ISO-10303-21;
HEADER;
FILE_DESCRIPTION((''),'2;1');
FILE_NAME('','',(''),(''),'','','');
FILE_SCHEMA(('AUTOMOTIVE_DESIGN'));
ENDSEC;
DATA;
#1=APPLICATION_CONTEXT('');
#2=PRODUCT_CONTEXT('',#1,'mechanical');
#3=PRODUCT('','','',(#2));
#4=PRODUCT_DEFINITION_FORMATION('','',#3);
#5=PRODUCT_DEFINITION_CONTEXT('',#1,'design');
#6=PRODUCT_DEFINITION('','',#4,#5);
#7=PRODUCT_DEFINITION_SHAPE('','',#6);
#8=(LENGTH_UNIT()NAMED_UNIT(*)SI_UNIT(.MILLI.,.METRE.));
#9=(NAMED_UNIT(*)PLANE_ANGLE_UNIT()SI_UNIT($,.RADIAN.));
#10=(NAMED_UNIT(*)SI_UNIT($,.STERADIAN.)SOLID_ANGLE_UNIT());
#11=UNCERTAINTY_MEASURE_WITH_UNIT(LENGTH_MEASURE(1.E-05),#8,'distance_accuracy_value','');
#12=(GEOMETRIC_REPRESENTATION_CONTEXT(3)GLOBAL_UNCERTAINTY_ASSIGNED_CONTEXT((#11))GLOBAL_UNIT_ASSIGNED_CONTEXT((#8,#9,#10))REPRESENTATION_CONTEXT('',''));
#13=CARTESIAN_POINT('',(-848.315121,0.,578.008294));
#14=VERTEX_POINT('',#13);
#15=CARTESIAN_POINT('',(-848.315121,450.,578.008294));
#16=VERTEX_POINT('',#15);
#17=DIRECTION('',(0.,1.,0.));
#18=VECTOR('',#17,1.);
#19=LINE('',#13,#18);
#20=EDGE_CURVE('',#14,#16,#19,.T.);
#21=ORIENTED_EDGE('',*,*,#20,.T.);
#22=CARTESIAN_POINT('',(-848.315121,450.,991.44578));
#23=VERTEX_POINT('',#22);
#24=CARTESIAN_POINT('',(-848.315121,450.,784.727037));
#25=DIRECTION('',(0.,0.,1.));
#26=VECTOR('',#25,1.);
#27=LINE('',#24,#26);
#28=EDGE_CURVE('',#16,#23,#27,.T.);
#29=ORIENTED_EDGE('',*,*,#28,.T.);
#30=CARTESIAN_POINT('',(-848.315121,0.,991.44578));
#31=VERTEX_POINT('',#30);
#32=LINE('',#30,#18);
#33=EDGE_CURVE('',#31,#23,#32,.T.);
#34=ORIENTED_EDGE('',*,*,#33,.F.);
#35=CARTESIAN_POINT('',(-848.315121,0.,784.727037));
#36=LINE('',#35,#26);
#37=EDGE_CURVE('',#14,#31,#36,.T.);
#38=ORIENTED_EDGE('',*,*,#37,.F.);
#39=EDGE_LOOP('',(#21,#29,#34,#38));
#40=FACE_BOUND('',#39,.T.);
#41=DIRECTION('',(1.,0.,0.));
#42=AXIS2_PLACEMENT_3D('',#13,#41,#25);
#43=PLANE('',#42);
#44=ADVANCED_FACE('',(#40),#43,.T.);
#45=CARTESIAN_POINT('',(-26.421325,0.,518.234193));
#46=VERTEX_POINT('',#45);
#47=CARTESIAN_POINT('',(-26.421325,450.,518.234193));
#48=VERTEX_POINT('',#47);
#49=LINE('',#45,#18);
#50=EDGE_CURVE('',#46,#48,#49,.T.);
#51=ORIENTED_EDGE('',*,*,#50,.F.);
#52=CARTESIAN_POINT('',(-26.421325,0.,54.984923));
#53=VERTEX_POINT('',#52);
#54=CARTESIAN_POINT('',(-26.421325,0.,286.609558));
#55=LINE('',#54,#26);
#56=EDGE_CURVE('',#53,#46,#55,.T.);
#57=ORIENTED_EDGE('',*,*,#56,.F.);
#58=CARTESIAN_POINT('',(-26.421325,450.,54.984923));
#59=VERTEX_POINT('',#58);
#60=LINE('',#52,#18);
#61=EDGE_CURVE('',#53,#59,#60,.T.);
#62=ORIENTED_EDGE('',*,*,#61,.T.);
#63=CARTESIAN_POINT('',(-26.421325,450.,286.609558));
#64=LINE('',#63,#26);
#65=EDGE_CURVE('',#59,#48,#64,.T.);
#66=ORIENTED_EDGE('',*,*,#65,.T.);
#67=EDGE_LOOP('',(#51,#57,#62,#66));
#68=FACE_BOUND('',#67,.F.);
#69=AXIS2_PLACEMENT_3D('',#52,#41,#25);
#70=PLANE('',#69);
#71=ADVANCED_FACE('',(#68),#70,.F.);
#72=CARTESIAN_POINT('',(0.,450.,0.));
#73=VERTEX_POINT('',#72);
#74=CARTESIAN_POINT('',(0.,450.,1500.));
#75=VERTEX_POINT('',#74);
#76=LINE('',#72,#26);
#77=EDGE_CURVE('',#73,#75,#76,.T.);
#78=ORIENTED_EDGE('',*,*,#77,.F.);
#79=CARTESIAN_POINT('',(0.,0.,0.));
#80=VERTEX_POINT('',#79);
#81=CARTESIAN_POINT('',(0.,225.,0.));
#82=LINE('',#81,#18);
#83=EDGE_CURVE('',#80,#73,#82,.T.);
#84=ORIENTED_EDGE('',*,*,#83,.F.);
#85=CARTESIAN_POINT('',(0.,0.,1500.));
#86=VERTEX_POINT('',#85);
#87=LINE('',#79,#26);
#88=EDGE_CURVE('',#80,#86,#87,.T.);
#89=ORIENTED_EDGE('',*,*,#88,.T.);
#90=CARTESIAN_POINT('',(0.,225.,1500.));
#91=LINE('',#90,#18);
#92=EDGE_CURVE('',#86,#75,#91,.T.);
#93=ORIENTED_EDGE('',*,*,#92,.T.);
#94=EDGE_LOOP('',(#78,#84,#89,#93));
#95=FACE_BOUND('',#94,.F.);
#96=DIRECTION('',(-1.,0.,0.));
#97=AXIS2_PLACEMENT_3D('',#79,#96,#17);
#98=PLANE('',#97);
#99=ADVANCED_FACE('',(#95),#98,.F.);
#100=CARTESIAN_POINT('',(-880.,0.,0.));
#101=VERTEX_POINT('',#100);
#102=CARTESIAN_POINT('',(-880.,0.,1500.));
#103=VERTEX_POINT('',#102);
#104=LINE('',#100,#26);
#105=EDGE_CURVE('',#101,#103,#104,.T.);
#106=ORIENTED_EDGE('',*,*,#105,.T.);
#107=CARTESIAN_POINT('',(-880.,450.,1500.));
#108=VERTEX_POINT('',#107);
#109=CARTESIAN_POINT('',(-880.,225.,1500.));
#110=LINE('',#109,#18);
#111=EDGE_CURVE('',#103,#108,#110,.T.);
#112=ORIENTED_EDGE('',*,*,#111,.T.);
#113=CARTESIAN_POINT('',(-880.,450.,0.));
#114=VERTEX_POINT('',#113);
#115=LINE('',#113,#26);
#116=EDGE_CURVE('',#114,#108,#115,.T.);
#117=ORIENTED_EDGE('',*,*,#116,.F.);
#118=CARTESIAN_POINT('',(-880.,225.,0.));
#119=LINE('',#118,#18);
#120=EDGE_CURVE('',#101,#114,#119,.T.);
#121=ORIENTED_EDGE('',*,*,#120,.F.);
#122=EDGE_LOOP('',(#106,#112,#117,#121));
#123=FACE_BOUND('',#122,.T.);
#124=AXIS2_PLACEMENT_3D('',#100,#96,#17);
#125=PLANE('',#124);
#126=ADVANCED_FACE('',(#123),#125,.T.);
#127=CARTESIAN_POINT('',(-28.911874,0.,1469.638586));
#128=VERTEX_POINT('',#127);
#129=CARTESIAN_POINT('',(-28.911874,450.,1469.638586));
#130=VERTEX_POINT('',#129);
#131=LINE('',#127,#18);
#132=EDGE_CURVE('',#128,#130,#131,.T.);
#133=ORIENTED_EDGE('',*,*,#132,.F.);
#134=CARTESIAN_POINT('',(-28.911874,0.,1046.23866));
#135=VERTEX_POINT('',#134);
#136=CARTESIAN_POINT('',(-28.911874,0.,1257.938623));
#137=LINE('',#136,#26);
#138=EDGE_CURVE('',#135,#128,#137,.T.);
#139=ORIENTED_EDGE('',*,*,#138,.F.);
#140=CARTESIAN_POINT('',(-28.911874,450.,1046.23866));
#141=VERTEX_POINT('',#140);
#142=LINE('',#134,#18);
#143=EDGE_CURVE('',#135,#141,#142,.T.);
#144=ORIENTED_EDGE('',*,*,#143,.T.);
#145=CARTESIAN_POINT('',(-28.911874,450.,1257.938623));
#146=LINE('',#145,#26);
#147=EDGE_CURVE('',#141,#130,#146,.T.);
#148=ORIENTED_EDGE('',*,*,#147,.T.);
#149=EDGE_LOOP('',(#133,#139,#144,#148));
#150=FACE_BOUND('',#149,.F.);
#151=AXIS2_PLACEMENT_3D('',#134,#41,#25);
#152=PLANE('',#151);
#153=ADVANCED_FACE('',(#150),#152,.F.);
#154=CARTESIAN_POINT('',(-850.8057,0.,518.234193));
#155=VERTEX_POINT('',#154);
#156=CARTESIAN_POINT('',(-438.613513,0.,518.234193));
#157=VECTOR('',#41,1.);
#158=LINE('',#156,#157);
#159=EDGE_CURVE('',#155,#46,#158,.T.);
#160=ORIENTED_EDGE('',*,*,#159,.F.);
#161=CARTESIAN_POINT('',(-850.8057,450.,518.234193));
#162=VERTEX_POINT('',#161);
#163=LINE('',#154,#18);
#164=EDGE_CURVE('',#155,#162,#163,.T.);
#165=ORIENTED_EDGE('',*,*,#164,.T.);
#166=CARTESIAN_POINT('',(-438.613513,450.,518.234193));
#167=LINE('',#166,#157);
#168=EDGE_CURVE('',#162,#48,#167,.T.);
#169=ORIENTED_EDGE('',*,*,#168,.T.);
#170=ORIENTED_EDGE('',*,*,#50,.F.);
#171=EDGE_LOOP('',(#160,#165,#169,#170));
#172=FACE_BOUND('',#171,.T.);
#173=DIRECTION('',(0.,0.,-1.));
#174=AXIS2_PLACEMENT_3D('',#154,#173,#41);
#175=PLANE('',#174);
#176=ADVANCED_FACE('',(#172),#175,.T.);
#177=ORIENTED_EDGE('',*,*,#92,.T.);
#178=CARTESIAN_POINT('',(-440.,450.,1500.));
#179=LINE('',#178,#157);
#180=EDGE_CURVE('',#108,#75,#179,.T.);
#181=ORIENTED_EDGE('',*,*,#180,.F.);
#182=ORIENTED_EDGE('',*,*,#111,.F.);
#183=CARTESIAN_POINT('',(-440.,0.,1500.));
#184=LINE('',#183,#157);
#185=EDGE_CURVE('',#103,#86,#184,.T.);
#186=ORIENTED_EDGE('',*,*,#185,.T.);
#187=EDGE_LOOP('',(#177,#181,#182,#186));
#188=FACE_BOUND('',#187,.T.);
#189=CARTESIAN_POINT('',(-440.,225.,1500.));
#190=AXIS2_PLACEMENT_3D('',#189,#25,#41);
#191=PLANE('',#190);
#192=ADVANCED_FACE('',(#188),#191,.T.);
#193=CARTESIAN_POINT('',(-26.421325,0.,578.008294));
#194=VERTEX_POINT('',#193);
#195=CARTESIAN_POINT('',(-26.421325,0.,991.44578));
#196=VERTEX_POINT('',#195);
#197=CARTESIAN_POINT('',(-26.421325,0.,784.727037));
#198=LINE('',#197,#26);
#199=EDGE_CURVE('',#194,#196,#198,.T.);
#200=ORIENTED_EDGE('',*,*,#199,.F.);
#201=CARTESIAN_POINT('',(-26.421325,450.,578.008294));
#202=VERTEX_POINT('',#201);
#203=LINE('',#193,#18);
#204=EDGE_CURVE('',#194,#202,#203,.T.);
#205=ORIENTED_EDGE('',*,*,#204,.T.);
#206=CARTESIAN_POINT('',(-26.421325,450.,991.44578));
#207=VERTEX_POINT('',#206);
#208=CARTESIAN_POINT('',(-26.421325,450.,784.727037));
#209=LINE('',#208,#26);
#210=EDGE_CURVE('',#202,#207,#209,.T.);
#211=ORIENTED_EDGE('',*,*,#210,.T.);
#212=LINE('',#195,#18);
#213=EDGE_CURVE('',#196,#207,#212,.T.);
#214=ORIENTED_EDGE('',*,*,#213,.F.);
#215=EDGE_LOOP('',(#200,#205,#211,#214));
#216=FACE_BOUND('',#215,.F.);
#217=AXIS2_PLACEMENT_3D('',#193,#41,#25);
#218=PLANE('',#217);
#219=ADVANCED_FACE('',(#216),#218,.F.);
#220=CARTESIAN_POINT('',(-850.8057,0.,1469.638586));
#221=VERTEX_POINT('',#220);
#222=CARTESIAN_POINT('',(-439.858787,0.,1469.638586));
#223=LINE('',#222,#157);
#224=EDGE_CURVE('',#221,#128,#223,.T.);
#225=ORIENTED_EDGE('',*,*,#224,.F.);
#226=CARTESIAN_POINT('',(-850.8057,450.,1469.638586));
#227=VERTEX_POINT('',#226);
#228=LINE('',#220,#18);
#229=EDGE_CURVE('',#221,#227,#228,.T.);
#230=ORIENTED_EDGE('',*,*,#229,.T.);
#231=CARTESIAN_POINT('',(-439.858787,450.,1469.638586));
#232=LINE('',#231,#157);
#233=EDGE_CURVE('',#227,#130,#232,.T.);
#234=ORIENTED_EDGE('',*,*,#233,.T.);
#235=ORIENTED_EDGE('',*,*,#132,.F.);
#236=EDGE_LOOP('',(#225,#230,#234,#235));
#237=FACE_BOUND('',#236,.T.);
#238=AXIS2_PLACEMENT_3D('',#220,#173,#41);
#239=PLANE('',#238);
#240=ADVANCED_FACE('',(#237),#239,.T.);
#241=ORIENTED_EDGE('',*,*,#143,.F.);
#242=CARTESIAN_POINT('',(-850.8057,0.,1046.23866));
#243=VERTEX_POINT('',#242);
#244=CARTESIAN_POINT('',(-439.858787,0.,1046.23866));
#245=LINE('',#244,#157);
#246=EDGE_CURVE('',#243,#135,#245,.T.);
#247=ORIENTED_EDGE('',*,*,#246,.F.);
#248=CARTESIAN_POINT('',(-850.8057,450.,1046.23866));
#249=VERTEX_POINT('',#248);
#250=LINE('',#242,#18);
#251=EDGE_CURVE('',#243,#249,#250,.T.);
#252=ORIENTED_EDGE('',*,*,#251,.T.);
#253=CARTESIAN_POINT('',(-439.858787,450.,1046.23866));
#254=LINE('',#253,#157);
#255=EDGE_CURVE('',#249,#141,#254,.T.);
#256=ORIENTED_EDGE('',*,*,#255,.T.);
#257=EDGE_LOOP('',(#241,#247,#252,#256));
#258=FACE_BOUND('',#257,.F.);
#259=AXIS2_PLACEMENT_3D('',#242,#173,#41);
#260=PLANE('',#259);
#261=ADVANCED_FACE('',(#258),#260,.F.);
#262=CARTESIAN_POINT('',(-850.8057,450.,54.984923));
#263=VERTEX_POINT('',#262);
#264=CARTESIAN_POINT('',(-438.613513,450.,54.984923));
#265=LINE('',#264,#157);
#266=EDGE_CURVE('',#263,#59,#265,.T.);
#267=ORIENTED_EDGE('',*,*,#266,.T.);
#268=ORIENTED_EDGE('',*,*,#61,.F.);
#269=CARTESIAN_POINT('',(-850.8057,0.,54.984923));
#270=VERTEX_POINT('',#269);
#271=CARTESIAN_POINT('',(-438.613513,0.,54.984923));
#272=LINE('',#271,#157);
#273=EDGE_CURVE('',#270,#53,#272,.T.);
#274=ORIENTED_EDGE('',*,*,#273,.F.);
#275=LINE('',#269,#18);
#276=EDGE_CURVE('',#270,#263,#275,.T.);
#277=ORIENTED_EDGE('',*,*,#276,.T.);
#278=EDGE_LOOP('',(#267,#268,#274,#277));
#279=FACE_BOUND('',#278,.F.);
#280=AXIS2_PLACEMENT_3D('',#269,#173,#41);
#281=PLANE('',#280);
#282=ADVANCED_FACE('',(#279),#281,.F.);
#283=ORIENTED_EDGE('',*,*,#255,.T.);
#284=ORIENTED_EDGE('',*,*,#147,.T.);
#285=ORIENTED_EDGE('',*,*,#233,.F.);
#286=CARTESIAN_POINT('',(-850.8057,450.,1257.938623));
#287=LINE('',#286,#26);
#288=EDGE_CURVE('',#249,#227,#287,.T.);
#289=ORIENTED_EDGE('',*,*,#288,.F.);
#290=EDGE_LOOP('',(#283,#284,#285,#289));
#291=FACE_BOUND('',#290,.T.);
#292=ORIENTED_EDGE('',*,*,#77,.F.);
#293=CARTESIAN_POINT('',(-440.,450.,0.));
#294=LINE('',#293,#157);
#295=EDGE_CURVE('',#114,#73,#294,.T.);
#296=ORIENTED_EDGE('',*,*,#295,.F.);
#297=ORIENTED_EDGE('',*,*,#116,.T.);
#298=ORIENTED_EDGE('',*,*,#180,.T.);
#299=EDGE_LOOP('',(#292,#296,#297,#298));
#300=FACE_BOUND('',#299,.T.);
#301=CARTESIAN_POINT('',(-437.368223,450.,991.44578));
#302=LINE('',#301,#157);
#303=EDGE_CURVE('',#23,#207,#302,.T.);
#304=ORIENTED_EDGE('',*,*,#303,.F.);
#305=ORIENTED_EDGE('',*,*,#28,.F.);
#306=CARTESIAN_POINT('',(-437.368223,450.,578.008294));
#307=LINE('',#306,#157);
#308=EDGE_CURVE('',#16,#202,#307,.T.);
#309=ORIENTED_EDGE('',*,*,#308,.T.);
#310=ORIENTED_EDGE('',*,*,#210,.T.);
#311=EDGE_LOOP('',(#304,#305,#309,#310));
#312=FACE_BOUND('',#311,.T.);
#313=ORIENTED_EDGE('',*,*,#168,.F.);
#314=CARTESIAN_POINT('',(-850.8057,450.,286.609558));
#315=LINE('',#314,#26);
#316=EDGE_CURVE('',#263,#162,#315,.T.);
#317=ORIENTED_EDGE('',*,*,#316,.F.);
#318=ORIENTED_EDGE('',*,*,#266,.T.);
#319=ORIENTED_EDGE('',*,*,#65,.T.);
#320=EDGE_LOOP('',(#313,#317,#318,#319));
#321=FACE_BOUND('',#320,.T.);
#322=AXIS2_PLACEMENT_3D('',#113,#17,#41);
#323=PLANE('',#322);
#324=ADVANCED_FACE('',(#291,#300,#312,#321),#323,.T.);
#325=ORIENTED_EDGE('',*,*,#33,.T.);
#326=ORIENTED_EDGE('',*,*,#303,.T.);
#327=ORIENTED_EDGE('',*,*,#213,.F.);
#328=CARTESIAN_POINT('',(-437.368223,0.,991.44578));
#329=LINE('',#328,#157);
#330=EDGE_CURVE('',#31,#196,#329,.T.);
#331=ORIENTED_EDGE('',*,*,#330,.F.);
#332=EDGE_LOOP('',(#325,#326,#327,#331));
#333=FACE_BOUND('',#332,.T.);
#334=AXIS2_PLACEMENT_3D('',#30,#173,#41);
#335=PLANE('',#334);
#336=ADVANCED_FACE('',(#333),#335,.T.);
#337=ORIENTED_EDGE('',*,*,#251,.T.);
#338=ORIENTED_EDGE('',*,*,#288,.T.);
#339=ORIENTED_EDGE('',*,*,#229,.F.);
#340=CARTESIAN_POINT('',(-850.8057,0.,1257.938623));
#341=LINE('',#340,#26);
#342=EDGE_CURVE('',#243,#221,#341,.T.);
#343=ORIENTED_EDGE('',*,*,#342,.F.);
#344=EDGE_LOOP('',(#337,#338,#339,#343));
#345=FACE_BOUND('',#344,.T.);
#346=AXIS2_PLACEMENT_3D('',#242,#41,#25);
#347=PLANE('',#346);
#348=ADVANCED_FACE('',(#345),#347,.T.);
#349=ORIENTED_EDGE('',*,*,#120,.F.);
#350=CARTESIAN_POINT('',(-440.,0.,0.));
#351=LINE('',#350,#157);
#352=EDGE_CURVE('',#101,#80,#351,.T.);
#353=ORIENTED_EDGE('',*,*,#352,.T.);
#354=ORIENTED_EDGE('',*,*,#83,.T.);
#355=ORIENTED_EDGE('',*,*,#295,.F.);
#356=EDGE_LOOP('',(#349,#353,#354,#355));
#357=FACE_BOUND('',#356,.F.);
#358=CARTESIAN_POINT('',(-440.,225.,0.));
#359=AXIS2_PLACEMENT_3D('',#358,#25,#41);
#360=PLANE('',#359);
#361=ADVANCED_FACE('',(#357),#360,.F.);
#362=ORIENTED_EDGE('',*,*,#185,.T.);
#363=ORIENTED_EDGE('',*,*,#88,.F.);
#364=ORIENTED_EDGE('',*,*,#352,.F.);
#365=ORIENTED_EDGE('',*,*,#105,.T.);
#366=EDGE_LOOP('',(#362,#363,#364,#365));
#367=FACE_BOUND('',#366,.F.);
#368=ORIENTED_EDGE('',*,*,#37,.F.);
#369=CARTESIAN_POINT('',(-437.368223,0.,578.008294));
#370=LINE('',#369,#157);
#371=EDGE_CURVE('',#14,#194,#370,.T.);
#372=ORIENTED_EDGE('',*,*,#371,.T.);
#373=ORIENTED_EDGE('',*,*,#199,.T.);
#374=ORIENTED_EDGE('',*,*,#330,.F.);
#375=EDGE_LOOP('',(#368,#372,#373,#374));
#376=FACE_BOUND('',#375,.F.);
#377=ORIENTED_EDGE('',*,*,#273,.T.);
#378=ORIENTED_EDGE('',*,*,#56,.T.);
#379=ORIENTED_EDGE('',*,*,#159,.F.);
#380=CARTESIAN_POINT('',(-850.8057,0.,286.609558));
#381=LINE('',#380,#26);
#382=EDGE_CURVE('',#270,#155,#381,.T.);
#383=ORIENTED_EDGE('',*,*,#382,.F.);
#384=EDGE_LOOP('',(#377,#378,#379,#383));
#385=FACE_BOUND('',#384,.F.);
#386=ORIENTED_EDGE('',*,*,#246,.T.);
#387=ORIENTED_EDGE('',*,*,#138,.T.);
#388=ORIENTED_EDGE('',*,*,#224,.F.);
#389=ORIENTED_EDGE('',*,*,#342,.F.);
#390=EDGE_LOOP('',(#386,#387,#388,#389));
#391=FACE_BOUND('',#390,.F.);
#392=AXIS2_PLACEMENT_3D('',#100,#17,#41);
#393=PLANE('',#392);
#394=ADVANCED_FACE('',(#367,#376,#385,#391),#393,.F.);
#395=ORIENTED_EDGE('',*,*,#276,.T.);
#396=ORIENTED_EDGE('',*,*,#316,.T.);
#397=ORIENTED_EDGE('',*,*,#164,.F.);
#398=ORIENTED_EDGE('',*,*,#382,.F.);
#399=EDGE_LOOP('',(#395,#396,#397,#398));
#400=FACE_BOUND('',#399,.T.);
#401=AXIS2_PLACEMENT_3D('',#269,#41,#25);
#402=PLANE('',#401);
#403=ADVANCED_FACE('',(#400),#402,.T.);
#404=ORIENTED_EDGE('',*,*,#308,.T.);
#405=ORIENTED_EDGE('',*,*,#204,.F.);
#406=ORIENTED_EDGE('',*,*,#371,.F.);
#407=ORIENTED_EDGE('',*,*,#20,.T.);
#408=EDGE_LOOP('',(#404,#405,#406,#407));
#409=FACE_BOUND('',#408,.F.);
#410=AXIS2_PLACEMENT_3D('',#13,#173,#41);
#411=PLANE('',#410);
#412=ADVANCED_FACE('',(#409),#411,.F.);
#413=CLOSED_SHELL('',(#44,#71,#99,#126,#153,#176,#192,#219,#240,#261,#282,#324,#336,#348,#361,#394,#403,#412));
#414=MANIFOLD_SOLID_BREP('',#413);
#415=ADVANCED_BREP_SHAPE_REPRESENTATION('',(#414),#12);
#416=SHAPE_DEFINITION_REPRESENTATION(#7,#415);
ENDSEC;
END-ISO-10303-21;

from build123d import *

# Parameters (mm, degrees)
F0_W     = 880
F0_H     = 450
F1_DEPTH = 1500
F2_W     = 821.893826
F2_H     = 423.399925
F2_W_2   = 821.893795
F2_H_2   = 413.437486
F2_W_3   = 824.384375
F2_H_3   = 463.24927
F3_DEPTH = 450


with BuildPart() as f1:
    # F0 (on Top) → F1 (new body)
    with BuildSketch(Plane.XY):
        with Locations((-440, 225)):
            Rectangle(F0_W, F0_H)
    extrude(amount=F1_DEPTH)

    # F2 (on face) → F3 (cut, through all)
    with BuildSketch(Plane.XZ):
        with Locations((-439.858787, 1257.938623)):
            Rectangle(F2_W, F2_H)
        with Locations((-437.368223, 784.727037)):
            Rectangle(F2_W_2, F2_H_2)
        with Locations((-438.613513, 286.609558)):
            Rectangle(F2_W_3, F2_H_3)
    extrude(amount=-F3_DEPTH, mode=Mode.SUBTRACT)


solid = f1.part
